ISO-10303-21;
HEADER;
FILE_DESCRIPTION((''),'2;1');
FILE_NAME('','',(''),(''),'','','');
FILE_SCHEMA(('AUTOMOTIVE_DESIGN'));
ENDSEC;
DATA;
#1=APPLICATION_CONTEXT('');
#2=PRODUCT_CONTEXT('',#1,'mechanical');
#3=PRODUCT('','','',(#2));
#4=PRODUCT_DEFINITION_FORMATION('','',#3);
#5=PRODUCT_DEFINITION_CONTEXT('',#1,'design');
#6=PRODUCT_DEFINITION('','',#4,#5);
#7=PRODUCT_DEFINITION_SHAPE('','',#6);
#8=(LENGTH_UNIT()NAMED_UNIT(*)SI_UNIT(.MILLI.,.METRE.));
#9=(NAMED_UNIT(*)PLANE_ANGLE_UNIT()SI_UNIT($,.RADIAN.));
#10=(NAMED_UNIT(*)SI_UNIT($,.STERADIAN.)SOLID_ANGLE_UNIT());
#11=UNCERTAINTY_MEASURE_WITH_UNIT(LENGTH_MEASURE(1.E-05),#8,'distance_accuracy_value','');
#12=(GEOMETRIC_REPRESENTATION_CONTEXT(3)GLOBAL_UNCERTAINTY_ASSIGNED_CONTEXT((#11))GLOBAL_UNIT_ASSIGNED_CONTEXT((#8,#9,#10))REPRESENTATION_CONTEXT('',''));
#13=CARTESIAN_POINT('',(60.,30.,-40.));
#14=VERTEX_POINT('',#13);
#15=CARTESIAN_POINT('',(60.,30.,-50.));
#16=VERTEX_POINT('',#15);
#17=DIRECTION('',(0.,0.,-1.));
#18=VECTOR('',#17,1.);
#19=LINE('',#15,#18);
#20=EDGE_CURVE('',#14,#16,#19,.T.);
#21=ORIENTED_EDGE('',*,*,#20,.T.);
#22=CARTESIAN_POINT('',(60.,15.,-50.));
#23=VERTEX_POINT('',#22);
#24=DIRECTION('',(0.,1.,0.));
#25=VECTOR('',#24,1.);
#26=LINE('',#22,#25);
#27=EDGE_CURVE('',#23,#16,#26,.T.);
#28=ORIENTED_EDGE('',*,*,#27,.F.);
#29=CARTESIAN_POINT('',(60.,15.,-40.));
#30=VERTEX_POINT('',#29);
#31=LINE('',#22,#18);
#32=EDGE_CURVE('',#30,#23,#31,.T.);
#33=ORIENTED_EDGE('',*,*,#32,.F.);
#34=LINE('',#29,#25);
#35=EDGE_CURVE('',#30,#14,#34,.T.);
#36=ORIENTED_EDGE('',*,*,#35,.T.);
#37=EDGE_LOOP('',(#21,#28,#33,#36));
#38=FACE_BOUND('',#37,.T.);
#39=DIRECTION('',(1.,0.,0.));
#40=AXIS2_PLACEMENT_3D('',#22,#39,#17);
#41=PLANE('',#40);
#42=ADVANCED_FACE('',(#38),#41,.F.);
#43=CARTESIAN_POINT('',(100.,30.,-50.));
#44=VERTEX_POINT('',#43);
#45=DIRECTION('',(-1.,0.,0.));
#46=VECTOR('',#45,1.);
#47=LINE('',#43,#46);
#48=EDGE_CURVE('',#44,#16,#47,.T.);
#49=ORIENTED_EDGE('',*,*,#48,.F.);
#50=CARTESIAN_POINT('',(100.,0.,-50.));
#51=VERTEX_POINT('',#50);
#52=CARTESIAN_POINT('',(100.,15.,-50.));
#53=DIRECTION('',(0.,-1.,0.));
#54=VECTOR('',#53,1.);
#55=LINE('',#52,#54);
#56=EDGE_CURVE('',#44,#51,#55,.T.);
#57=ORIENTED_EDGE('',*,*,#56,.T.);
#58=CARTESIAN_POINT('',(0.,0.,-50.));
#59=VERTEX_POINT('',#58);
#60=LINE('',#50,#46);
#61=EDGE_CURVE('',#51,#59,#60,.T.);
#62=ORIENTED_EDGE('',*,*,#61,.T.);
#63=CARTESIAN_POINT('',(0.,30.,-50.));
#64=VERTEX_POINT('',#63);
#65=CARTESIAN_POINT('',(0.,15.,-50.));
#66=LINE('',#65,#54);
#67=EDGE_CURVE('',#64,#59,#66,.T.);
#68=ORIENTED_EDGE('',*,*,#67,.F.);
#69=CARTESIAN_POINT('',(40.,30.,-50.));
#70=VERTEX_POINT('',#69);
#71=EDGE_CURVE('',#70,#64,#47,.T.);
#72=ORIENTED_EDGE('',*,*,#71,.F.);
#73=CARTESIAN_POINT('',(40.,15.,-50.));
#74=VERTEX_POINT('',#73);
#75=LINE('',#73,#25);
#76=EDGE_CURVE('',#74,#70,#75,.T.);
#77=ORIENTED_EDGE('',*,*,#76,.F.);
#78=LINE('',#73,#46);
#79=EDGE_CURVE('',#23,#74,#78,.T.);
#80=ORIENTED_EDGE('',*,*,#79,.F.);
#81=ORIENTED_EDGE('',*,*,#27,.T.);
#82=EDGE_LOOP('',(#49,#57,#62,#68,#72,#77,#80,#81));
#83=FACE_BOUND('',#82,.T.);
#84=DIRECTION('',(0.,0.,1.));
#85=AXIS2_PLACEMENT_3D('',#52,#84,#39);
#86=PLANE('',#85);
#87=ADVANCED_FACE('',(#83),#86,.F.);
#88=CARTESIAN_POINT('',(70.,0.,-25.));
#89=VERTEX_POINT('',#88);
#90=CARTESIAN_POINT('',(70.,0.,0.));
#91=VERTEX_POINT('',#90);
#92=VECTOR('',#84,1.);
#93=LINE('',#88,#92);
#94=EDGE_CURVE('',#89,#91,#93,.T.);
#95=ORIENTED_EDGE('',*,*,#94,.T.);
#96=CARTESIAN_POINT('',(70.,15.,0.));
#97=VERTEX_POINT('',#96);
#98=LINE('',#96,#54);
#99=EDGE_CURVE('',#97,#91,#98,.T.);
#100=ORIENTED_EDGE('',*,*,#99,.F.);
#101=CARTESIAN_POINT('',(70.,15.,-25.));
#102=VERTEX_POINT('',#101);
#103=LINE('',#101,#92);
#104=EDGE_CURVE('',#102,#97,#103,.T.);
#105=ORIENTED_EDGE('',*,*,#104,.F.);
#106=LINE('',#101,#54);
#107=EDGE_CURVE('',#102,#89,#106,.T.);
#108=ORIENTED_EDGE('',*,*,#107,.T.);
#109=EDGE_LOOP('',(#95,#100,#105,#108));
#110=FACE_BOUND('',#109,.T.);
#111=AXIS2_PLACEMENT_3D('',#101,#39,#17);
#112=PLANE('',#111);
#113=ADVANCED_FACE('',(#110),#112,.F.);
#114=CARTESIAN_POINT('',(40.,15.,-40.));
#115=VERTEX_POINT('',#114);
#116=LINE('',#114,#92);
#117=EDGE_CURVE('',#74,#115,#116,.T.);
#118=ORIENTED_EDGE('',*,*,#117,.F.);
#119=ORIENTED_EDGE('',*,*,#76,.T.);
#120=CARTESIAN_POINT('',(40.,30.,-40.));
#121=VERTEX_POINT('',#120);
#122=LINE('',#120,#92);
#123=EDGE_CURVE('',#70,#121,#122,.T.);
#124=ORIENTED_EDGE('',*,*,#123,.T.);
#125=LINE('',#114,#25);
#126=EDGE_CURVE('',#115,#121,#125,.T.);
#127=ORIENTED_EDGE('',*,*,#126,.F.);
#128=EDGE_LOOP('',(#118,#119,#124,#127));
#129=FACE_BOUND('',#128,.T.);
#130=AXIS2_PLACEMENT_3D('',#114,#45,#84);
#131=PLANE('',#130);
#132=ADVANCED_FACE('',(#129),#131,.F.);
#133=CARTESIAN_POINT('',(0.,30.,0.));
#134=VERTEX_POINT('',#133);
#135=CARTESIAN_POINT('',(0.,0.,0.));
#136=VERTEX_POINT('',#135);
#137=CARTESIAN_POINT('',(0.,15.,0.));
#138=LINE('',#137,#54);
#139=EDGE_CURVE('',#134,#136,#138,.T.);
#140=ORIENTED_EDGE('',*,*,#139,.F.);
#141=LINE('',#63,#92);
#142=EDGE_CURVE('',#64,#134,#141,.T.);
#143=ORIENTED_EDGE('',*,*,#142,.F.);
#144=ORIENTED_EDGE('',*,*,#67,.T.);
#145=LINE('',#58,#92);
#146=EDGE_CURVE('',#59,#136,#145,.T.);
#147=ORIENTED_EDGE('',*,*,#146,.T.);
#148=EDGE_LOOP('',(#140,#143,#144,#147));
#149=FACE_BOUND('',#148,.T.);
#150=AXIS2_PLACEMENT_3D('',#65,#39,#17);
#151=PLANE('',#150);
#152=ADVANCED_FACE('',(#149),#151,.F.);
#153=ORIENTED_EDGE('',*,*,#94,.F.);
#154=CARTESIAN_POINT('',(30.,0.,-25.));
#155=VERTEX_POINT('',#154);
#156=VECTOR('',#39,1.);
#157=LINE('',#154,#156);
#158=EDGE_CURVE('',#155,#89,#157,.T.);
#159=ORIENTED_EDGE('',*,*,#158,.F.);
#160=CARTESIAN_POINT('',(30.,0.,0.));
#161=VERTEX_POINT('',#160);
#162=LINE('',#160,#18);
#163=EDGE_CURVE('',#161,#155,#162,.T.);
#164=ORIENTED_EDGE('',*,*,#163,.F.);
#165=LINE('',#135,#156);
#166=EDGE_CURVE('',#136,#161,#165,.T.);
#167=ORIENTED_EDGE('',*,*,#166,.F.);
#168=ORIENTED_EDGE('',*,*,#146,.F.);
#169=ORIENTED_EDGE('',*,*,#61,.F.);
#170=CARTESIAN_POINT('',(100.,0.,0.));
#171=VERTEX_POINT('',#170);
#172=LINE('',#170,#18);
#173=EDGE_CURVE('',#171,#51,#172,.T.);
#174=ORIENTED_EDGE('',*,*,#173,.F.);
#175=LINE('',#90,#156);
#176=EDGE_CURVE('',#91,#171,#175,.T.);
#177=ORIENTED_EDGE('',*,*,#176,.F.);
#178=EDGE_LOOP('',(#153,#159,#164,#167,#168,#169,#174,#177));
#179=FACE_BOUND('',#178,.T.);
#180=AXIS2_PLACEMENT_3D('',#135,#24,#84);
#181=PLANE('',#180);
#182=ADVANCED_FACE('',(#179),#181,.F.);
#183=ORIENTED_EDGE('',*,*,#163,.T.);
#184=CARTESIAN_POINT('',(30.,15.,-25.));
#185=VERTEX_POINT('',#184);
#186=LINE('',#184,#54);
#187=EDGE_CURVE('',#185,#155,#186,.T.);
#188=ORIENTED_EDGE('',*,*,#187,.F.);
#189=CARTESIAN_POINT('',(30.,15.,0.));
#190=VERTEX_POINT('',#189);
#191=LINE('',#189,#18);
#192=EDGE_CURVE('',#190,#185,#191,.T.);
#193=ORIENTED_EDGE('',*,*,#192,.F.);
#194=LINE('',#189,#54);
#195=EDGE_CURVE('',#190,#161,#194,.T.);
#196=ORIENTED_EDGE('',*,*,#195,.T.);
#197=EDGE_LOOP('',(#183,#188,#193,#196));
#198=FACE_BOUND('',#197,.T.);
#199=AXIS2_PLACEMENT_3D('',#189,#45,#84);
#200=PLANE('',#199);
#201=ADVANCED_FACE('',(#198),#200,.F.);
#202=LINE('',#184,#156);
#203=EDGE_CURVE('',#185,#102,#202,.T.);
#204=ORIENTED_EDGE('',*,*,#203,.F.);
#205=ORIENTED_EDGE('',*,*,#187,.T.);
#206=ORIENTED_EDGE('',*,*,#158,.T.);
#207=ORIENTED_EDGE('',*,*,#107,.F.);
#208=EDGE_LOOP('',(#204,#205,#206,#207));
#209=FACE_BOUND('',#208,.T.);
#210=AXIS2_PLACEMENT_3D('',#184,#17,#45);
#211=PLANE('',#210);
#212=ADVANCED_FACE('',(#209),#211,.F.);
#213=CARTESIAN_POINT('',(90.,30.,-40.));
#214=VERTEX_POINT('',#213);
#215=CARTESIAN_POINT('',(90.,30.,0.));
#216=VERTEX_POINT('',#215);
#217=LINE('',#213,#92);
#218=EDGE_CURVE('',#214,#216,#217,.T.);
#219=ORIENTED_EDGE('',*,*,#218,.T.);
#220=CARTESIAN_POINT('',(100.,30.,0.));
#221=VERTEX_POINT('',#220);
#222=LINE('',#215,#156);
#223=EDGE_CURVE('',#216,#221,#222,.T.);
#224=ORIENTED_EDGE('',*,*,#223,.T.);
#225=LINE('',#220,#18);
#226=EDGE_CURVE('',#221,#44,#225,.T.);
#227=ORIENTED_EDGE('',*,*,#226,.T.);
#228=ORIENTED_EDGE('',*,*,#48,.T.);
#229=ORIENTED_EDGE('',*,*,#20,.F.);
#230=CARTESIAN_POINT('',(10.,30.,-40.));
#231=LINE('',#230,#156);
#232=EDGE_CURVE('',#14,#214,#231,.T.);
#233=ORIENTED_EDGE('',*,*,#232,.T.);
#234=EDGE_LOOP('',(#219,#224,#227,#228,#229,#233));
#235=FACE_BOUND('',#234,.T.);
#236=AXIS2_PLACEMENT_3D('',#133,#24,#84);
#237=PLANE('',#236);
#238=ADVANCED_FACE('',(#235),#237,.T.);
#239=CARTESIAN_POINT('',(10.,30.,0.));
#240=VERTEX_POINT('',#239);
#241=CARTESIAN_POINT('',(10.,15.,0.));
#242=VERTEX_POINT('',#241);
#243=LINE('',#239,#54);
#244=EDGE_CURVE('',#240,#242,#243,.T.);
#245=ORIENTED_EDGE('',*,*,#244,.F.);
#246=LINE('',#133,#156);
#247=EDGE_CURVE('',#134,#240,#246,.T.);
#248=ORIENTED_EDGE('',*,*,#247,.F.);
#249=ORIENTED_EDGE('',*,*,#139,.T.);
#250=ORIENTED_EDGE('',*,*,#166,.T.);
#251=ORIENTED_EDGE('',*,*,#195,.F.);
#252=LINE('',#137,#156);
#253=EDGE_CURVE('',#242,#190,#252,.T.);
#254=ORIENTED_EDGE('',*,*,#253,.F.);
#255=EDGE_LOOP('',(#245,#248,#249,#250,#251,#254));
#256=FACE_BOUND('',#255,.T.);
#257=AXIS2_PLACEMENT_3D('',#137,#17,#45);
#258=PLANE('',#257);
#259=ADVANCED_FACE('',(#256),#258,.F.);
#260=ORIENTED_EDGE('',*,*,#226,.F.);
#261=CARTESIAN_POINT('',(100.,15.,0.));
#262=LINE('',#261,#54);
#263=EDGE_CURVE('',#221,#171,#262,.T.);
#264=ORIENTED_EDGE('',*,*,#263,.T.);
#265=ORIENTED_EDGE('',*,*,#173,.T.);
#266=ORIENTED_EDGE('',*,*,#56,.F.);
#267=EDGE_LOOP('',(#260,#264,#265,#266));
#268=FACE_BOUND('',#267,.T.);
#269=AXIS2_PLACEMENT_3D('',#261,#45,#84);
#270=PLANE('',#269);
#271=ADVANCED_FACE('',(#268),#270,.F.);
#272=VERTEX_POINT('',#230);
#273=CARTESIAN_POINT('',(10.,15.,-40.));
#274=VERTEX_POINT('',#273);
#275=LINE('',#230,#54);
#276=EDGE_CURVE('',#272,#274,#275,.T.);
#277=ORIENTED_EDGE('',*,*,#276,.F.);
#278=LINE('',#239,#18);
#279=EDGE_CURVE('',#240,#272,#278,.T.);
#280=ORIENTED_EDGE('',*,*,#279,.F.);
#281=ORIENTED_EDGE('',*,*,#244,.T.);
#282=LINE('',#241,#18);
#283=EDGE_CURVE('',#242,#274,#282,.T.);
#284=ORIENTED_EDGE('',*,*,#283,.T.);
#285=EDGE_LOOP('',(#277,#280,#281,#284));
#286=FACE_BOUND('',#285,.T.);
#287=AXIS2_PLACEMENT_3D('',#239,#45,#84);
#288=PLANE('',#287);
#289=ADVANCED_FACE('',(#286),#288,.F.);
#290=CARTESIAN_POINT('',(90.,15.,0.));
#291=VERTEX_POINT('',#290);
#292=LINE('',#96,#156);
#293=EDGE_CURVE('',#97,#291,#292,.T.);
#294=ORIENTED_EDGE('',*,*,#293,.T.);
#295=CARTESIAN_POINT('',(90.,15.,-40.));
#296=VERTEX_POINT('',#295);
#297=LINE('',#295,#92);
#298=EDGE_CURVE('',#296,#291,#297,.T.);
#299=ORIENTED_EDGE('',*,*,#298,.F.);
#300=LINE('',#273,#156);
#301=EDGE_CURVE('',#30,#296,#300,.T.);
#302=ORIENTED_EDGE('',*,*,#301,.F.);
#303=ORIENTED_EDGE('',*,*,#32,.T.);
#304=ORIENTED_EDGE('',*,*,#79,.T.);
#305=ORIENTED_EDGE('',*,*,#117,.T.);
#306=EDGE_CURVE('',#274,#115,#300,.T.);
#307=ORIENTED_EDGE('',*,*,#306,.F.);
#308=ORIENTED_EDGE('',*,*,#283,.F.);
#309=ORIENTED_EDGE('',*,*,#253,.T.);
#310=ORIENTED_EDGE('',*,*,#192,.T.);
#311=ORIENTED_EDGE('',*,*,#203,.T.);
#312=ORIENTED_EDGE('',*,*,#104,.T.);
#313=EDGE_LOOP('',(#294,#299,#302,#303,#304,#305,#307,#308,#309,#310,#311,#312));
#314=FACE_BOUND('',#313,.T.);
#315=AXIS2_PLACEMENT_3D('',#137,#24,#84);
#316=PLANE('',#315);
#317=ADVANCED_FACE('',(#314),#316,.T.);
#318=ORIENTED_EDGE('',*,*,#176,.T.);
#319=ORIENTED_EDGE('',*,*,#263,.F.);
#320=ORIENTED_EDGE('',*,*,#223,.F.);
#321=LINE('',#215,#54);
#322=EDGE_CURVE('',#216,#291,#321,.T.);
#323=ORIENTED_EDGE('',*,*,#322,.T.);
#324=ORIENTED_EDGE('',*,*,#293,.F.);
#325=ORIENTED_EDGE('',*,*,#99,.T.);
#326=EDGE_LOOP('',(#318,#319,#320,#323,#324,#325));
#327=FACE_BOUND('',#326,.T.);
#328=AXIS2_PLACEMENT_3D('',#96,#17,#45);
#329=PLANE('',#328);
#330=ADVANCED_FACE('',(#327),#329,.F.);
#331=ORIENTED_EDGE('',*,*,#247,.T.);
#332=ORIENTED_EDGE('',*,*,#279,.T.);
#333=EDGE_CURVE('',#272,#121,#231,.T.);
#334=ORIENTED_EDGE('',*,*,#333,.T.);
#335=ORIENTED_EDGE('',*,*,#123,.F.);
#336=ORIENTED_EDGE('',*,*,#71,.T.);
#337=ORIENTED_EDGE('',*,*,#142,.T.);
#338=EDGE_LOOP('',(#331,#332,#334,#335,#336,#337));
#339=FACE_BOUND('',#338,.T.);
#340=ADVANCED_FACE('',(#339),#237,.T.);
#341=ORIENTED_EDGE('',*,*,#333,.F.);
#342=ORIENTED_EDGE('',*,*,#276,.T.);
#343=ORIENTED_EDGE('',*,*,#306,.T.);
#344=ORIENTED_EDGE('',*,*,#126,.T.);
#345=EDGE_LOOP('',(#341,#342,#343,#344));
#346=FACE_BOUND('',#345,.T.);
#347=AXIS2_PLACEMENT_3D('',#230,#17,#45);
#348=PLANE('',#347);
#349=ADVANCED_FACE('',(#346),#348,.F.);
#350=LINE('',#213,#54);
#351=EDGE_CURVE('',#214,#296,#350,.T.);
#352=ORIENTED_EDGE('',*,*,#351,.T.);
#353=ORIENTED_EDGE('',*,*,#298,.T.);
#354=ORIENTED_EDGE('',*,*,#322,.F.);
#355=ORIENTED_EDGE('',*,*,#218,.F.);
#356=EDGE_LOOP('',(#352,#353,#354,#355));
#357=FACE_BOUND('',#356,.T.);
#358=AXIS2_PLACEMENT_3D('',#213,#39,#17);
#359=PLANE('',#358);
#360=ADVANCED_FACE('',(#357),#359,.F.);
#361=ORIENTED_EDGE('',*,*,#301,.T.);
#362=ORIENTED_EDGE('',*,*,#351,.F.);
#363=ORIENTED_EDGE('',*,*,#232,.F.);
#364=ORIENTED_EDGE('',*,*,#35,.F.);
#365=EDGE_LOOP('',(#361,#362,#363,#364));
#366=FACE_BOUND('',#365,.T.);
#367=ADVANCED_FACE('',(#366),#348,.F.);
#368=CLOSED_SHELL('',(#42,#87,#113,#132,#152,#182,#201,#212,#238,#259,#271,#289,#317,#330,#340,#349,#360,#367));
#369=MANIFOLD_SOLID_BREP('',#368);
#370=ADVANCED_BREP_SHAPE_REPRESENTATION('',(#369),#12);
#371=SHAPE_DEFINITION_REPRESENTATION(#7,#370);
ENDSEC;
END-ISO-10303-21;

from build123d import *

# Parameters (mm, degrees)
BOSS_EXTRUDE1_DEPTH = 15
BOSS_EXTRUDE2_DEPTH = 15
SKETCH3_W           = 20
SKETCH3_H           = 10
CUT_EXTRUDE1_DEPTH  = 15


with BuildPart() as part:
    # Sketch1 → Boss-Extrude1 (new body)
    with BuildSketch(Plane(origin=(0, 0, 0), x_dir=(1, 0, 0), z_dir=(0, 1, 0))):
        Polygon((0, 0), (30, 0), (30, 25), (70, 25), (70, 0), (100, 0), (100, 50), (0, 50), align=None)
    extrude(amount=BOSS_EXTRUDE1_DEPTH)

    # Sketch2 → Boss-Extrude2 (add)
    with BuildSketch(Plane(origin=(0, 15, 0), x_dir=(1, 0, 0), z_dir=(0, 1, 0))):
        Polygon((0, 0), (10, 0), (10, 40), (90, 40), (90, 0), (100, 0), (100, 50), (0, 50), align=None)
    extrude(amount=BOSS_EXTRUDE2_DEPTH)

    # Sketch3 → Cut-Extrude1 (cut)
    with BuildSketch(Plane(origin=(0, 30, 0), x_dir=(1, 0, 0), z_dir=(0, 1, 0))):
        with Locations((50, 45)):
            Rectangle(SKETCH3_W, SKETCH3_H)
    extrude(amount=-CUT_EXTRUDE1_DEPTH, mode=Mode.SUBTRACT)


solid = part.part
